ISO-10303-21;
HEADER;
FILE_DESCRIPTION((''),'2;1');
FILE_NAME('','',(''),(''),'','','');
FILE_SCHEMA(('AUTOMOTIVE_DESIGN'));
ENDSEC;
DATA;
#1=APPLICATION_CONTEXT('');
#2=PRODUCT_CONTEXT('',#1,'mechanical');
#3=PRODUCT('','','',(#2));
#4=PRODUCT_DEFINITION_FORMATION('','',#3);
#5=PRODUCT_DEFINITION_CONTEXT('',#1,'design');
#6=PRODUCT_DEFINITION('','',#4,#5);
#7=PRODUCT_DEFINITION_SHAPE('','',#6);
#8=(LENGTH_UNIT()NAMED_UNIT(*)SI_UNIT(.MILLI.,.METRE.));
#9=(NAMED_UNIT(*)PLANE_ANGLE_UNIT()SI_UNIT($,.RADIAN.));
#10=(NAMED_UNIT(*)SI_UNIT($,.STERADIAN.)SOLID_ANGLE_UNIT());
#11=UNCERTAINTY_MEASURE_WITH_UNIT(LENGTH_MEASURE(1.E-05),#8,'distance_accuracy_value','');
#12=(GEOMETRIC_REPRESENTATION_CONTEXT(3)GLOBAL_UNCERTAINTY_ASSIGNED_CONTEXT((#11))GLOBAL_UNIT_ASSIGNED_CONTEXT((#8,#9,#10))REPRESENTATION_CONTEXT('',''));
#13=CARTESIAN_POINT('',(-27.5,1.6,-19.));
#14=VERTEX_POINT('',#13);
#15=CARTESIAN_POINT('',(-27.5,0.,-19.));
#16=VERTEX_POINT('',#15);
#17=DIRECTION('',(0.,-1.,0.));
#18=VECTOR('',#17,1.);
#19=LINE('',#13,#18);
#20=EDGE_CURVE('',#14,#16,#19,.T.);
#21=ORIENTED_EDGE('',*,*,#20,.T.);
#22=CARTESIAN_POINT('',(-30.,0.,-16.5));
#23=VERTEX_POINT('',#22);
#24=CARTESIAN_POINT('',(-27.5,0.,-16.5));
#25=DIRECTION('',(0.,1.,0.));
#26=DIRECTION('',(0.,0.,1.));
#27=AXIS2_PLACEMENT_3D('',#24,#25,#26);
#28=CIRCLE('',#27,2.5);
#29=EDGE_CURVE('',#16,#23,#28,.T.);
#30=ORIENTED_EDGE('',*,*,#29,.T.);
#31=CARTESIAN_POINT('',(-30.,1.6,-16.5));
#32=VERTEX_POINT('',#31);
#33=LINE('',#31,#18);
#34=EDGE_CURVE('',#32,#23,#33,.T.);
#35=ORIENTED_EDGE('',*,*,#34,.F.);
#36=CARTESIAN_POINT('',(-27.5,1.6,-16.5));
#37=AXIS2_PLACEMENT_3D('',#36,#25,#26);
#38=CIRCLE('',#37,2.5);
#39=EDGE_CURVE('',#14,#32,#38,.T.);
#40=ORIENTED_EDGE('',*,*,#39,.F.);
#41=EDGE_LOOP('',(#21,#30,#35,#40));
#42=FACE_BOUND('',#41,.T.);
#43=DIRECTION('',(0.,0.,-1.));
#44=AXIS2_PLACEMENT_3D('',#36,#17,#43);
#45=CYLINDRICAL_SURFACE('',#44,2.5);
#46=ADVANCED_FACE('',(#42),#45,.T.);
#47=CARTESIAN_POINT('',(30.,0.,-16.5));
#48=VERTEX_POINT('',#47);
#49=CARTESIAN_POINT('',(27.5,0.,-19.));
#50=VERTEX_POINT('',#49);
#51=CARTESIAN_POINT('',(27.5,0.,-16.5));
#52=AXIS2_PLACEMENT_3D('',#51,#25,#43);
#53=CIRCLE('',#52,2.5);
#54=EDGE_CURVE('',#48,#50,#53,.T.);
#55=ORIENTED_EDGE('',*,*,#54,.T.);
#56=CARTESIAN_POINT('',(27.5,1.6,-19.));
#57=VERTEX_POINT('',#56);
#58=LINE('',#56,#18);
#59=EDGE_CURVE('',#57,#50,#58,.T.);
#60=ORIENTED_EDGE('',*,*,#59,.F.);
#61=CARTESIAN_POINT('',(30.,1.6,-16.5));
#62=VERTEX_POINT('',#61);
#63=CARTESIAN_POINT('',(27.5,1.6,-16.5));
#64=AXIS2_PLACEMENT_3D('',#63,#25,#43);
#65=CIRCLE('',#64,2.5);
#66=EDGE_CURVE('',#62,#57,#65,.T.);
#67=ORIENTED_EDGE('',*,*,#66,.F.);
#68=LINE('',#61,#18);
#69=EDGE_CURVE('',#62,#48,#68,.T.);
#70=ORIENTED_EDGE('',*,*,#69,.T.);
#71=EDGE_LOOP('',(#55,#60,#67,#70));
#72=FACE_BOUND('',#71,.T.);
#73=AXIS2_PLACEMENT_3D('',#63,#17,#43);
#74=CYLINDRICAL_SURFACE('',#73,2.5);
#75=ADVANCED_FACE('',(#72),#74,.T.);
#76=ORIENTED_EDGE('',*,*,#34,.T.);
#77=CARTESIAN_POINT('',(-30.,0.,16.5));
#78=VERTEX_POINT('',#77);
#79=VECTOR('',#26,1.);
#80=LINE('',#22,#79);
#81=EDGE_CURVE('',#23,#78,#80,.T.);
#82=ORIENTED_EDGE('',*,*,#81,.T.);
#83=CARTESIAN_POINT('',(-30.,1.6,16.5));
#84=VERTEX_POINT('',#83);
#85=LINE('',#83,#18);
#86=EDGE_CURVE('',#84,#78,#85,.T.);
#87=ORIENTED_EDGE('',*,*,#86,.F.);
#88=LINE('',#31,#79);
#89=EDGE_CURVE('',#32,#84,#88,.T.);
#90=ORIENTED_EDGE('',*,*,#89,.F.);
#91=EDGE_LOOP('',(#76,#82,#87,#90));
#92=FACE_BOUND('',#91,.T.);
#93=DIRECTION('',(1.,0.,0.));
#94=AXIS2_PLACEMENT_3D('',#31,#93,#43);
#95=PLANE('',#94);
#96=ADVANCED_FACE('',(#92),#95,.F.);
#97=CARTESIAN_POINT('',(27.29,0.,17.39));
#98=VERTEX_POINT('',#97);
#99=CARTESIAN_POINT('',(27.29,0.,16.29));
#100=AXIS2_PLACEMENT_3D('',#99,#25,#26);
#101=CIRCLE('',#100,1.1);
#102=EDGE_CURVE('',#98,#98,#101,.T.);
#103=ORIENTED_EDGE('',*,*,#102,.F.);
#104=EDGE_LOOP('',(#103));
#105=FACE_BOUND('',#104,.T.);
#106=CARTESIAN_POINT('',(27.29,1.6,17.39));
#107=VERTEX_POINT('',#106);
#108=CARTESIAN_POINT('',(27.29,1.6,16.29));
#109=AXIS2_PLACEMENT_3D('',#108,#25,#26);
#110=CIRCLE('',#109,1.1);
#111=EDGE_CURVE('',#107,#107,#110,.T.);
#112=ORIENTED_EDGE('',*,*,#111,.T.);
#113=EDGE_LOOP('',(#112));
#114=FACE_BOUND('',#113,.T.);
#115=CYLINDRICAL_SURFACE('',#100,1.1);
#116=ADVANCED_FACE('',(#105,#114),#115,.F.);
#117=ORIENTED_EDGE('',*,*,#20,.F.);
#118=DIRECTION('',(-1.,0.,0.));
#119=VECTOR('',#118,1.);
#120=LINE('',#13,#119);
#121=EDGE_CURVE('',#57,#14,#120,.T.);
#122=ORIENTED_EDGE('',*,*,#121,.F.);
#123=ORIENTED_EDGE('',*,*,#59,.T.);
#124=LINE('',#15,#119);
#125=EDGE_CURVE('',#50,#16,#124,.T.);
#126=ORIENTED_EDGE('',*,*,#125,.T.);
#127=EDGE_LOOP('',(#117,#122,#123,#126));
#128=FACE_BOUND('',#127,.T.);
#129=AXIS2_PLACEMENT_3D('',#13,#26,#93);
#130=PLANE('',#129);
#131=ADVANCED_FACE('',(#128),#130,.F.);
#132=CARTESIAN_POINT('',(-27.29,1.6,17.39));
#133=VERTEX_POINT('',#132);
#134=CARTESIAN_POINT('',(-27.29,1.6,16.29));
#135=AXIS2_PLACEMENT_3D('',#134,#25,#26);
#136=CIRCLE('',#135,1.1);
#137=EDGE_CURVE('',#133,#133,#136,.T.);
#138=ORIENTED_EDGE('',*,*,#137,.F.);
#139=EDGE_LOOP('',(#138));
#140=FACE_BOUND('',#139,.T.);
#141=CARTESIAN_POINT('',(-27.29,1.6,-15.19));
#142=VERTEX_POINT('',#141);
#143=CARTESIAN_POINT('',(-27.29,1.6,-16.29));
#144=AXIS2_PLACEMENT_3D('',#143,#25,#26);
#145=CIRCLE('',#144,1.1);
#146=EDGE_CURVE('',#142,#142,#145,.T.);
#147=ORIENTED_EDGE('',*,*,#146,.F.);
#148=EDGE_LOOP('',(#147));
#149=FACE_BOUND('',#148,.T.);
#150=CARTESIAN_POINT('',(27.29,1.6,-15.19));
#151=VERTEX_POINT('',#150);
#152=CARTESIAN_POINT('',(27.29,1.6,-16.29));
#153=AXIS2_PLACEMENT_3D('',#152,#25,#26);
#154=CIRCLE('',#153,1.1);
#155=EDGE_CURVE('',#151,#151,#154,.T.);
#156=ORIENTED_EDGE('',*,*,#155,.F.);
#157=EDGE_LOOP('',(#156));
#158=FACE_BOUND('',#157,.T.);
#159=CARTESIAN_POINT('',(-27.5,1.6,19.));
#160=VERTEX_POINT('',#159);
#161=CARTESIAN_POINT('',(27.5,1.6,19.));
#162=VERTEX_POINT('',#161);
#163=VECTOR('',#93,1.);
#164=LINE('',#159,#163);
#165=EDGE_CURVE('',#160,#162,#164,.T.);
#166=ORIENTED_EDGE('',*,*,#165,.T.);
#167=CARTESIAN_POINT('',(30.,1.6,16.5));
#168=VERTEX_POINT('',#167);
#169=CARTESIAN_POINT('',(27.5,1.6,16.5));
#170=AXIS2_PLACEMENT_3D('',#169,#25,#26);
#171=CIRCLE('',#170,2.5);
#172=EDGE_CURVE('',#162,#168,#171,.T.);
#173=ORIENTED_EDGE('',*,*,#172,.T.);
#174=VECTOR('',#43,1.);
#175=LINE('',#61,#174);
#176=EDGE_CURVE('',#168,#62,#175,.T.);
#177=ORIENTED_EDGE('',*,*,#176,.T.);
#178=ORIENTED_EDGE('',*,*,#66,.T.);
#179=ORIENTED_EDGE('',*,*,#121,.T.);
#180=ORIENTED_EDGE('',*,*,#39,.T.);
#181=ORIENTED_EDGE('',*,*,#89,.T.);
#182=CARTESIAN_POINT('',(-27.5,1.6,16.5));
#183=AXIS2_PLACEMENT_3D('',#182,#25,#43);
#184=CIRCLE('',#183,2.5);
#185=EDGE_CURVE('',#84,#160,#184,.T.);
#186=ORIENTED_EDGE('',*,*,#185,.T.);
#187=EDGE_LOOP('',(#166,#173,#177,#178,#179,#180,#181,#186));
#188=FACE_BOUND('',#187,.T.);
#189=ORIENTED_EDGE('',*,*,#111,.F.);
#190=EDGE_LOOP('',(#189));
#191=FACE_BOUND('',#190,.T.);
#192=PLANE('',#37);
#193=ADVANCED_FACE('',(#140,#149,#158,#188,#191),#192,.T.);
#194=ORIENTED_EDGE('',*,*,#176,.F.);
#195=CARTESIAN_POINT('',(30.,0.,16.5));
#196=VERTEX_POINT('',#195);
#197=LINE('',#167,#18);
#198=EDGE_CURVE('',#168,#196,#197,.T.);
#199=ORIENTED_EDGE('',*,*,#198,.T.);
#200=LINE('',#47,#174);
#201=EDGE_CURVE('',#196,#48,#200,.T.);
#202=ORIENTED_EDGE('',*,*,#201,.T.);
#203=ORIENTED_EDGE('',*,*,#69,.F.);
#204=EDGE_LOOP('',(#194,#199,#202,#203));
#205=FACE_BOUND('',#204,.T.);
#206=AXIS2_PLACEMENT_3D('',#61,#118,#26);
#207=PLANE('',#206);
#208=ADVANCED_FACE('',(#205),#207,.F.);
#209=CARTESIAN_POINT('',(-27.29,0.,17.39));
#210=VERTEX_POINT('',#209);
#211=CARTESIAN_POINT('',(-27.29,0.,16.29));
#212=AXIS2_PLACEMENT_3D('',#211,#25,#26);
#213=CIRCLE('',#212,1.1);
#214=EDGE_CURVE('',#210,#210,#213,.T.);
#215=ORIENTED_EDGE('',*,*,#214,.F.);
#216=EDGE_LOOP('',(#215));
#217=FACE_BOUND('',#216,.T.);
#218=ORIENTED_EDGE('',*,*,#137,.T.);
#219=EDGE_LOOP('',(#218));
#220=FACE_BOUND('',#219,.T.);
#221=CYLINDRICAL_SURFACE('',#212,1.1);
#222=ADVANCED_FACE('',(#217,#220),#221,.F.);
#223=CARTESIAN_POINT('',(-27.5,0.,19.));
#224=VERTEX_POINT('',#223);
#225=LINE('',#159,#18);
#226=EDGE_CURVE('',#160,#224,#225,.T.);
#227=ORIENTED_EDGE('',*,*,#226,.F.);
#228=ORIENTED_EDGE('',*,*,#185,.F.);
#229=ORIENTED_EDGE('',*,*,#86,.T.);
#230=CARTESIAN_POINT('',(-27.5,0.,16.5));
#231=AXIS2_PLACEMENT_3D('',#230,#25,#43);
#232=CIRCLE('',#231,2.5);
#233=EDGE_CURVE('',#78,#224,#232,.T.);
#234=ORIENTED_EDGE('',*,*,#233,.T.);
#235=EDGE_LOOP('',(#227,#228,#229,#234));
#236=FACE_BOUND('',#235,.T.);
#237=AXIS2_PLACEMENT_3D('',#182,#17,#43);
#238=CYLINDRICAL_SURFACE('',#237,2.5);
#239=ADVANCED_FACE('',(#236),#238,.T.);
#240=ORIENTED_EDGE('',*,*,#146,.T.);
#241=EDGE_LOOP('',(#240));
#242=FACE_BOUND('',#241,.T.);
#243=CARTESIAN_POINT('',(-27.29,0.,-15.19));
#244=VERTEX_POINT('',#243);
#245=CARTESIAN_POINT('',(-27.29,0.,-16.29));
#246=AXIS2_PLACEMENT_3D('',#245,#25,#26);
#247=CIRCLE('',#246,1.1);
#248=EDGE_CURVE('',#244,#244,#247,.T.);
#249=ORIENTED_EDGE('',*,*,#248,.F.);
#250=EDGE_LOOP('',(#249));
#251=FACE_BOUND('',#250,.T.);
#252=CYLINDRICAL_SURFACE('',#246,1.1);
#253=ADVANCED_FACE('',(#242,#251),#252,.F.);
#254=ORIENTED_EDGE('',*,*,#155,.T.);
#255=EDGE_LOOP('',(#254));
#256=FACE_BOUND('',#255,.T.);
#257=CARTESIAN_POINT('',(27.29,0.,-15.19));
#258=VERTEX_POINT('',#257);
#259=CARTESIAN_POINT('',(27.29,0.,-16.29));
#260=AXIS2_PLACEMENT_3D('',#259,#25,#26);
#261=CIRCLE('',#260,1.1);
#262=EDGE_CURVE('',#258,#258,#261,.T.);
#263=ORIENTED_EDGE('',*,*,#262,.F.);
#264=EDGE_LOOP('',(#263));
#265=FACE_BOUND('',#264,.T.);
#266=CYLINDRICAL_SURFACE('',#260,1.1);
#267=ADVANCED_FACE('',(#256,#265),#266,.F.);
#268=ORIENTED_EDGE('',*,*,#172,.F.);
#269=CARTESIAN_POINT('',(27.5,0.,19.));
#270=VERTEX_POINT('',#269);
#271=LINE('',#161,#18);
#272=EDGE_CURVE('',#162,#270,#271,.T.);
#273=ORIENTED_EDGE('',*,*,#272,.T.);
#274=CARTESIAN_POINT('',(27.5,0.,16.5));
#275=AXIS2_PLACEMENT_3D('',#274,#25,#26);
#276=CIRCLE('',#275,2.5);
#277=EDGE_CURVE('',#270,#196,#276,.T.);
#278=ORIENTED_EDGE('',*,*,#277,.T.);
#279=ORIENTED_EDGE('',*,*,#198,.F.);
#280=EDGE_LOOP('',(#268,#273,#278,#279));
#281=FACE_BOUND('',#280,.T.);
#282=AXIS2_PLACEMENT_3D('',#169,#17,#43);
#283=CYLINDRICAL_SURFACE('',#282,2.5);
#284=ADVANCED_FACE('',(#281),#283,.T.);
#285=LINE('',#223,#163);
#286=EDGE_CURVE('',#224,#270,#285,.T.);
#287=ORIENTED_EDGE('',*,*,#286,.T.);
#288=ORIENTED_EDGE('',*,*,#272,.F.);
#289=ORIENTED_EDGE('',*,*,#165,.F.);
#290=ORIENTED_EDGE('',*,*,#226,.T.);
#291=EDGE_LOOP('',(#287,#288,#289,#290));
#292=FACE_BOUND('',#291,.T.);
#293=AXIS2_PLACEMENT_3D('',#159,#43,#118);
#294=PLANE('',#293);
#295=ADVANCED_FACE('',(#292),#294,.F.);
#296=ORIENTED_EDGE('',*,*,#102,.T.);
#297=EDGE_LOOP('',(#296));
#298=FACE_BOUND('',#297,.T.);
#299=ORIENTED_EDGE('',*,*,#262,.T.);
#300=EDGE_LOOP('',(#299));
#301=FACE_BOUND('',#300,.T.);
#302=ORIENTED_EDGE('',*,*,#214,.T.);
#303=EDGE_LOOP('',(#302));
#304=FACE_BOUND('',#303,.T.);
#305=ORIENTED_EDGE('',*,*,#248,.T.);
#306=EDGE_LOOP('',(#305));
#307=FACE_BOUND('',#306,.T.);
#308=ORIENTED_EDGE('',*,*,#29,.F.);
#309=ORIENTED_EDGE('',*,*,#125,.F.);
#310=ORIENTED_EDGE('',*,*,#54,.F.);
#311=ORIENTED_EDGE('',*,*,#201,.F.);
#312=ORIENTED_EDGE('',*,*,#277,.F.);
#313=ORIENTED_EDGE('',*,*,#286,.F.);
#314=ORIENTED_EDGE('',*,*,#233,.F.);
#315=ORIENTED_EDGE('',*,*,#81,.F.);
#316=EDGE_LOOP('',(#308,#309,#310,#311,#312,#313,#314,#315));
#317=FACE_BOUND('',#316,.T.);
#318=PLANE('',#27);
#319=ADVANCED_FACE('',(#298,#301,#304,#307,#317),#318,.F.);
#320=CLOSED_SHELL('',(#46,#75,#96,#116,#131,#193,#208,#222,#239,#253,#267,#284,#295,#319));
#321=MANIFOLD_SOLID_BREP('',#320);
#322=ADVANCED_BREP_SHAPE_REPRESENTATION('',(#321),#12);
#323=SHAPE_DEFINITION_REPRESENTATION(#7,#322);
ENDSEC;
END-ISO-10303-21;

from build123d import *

# Parameters (mm, degrees)
BOSS_EXTRUDE1_DEPTH = 1.6
SKETCH2_R           = 1.1
CUT_EXTRUDE1_DEPTH  = 36.546589147


with BuildPart() as part:
    # Sketch1 → Boss-Extrude1 (new body)
    with BuildSketch(Plane(origin=(0, 0, 0), x_dir=(1, 0, 0), z_dir=(0, 1, 0))):
        with BuildLine():
            Line((-27.5, 19), (27.5, 19))
            ThreePointArc((27.5, 19), (29.267766953, 18.267766953), (30, 16.5))
            Line((30, 16.5), (30, -16.5))
            ThreePointArc((30, -16.5), (29.267766953, -18.267766953), (27.5, -19))
            Line((27.5, -19), (-27.5, -19))
            ThreePointArc((-27.5, -19), (-29.267766953, -18.267766953), (-30, -16.5))
            Line((-30, -16.5), (-30, 16.5))
            ThreePointArc((-30, 16.5), (-29.267766953, 18.267766953), (-27.5, 19))
        make_face()
    extrude(amount=BOSS_EXTRUDE1_DEPTH)

    # Sketch2 → Cut-Extrude1 (cut, through all)
    with BuildSketch(Plane(origin=(0, 1.6, 0), x_dir=(1, 0, 0), z_dir=(0, 1, 0))):
        with Locations(Location((-27.29, 16.29, 0), (0, 0, 270))):
            Circle(SKETCH2_R)
        with Locations(Location((27.29, 16.29, 0), (0, 0, 270))):
            Circle(SKETCH2_R)
        with Locations(Location((27.29, -16.29, 0), (0, 0, 270))):
            Circle(SKETCH2_R)
        with Locations(Location((-27.29, -16.29, 0), (0, 0, 270))):
            Circle(SKETCH2_R)
    extrude(amount=-CUT_EXTRUDE1_DEPTH, mode=Mode.SUBTRACT)


solid = part.part
